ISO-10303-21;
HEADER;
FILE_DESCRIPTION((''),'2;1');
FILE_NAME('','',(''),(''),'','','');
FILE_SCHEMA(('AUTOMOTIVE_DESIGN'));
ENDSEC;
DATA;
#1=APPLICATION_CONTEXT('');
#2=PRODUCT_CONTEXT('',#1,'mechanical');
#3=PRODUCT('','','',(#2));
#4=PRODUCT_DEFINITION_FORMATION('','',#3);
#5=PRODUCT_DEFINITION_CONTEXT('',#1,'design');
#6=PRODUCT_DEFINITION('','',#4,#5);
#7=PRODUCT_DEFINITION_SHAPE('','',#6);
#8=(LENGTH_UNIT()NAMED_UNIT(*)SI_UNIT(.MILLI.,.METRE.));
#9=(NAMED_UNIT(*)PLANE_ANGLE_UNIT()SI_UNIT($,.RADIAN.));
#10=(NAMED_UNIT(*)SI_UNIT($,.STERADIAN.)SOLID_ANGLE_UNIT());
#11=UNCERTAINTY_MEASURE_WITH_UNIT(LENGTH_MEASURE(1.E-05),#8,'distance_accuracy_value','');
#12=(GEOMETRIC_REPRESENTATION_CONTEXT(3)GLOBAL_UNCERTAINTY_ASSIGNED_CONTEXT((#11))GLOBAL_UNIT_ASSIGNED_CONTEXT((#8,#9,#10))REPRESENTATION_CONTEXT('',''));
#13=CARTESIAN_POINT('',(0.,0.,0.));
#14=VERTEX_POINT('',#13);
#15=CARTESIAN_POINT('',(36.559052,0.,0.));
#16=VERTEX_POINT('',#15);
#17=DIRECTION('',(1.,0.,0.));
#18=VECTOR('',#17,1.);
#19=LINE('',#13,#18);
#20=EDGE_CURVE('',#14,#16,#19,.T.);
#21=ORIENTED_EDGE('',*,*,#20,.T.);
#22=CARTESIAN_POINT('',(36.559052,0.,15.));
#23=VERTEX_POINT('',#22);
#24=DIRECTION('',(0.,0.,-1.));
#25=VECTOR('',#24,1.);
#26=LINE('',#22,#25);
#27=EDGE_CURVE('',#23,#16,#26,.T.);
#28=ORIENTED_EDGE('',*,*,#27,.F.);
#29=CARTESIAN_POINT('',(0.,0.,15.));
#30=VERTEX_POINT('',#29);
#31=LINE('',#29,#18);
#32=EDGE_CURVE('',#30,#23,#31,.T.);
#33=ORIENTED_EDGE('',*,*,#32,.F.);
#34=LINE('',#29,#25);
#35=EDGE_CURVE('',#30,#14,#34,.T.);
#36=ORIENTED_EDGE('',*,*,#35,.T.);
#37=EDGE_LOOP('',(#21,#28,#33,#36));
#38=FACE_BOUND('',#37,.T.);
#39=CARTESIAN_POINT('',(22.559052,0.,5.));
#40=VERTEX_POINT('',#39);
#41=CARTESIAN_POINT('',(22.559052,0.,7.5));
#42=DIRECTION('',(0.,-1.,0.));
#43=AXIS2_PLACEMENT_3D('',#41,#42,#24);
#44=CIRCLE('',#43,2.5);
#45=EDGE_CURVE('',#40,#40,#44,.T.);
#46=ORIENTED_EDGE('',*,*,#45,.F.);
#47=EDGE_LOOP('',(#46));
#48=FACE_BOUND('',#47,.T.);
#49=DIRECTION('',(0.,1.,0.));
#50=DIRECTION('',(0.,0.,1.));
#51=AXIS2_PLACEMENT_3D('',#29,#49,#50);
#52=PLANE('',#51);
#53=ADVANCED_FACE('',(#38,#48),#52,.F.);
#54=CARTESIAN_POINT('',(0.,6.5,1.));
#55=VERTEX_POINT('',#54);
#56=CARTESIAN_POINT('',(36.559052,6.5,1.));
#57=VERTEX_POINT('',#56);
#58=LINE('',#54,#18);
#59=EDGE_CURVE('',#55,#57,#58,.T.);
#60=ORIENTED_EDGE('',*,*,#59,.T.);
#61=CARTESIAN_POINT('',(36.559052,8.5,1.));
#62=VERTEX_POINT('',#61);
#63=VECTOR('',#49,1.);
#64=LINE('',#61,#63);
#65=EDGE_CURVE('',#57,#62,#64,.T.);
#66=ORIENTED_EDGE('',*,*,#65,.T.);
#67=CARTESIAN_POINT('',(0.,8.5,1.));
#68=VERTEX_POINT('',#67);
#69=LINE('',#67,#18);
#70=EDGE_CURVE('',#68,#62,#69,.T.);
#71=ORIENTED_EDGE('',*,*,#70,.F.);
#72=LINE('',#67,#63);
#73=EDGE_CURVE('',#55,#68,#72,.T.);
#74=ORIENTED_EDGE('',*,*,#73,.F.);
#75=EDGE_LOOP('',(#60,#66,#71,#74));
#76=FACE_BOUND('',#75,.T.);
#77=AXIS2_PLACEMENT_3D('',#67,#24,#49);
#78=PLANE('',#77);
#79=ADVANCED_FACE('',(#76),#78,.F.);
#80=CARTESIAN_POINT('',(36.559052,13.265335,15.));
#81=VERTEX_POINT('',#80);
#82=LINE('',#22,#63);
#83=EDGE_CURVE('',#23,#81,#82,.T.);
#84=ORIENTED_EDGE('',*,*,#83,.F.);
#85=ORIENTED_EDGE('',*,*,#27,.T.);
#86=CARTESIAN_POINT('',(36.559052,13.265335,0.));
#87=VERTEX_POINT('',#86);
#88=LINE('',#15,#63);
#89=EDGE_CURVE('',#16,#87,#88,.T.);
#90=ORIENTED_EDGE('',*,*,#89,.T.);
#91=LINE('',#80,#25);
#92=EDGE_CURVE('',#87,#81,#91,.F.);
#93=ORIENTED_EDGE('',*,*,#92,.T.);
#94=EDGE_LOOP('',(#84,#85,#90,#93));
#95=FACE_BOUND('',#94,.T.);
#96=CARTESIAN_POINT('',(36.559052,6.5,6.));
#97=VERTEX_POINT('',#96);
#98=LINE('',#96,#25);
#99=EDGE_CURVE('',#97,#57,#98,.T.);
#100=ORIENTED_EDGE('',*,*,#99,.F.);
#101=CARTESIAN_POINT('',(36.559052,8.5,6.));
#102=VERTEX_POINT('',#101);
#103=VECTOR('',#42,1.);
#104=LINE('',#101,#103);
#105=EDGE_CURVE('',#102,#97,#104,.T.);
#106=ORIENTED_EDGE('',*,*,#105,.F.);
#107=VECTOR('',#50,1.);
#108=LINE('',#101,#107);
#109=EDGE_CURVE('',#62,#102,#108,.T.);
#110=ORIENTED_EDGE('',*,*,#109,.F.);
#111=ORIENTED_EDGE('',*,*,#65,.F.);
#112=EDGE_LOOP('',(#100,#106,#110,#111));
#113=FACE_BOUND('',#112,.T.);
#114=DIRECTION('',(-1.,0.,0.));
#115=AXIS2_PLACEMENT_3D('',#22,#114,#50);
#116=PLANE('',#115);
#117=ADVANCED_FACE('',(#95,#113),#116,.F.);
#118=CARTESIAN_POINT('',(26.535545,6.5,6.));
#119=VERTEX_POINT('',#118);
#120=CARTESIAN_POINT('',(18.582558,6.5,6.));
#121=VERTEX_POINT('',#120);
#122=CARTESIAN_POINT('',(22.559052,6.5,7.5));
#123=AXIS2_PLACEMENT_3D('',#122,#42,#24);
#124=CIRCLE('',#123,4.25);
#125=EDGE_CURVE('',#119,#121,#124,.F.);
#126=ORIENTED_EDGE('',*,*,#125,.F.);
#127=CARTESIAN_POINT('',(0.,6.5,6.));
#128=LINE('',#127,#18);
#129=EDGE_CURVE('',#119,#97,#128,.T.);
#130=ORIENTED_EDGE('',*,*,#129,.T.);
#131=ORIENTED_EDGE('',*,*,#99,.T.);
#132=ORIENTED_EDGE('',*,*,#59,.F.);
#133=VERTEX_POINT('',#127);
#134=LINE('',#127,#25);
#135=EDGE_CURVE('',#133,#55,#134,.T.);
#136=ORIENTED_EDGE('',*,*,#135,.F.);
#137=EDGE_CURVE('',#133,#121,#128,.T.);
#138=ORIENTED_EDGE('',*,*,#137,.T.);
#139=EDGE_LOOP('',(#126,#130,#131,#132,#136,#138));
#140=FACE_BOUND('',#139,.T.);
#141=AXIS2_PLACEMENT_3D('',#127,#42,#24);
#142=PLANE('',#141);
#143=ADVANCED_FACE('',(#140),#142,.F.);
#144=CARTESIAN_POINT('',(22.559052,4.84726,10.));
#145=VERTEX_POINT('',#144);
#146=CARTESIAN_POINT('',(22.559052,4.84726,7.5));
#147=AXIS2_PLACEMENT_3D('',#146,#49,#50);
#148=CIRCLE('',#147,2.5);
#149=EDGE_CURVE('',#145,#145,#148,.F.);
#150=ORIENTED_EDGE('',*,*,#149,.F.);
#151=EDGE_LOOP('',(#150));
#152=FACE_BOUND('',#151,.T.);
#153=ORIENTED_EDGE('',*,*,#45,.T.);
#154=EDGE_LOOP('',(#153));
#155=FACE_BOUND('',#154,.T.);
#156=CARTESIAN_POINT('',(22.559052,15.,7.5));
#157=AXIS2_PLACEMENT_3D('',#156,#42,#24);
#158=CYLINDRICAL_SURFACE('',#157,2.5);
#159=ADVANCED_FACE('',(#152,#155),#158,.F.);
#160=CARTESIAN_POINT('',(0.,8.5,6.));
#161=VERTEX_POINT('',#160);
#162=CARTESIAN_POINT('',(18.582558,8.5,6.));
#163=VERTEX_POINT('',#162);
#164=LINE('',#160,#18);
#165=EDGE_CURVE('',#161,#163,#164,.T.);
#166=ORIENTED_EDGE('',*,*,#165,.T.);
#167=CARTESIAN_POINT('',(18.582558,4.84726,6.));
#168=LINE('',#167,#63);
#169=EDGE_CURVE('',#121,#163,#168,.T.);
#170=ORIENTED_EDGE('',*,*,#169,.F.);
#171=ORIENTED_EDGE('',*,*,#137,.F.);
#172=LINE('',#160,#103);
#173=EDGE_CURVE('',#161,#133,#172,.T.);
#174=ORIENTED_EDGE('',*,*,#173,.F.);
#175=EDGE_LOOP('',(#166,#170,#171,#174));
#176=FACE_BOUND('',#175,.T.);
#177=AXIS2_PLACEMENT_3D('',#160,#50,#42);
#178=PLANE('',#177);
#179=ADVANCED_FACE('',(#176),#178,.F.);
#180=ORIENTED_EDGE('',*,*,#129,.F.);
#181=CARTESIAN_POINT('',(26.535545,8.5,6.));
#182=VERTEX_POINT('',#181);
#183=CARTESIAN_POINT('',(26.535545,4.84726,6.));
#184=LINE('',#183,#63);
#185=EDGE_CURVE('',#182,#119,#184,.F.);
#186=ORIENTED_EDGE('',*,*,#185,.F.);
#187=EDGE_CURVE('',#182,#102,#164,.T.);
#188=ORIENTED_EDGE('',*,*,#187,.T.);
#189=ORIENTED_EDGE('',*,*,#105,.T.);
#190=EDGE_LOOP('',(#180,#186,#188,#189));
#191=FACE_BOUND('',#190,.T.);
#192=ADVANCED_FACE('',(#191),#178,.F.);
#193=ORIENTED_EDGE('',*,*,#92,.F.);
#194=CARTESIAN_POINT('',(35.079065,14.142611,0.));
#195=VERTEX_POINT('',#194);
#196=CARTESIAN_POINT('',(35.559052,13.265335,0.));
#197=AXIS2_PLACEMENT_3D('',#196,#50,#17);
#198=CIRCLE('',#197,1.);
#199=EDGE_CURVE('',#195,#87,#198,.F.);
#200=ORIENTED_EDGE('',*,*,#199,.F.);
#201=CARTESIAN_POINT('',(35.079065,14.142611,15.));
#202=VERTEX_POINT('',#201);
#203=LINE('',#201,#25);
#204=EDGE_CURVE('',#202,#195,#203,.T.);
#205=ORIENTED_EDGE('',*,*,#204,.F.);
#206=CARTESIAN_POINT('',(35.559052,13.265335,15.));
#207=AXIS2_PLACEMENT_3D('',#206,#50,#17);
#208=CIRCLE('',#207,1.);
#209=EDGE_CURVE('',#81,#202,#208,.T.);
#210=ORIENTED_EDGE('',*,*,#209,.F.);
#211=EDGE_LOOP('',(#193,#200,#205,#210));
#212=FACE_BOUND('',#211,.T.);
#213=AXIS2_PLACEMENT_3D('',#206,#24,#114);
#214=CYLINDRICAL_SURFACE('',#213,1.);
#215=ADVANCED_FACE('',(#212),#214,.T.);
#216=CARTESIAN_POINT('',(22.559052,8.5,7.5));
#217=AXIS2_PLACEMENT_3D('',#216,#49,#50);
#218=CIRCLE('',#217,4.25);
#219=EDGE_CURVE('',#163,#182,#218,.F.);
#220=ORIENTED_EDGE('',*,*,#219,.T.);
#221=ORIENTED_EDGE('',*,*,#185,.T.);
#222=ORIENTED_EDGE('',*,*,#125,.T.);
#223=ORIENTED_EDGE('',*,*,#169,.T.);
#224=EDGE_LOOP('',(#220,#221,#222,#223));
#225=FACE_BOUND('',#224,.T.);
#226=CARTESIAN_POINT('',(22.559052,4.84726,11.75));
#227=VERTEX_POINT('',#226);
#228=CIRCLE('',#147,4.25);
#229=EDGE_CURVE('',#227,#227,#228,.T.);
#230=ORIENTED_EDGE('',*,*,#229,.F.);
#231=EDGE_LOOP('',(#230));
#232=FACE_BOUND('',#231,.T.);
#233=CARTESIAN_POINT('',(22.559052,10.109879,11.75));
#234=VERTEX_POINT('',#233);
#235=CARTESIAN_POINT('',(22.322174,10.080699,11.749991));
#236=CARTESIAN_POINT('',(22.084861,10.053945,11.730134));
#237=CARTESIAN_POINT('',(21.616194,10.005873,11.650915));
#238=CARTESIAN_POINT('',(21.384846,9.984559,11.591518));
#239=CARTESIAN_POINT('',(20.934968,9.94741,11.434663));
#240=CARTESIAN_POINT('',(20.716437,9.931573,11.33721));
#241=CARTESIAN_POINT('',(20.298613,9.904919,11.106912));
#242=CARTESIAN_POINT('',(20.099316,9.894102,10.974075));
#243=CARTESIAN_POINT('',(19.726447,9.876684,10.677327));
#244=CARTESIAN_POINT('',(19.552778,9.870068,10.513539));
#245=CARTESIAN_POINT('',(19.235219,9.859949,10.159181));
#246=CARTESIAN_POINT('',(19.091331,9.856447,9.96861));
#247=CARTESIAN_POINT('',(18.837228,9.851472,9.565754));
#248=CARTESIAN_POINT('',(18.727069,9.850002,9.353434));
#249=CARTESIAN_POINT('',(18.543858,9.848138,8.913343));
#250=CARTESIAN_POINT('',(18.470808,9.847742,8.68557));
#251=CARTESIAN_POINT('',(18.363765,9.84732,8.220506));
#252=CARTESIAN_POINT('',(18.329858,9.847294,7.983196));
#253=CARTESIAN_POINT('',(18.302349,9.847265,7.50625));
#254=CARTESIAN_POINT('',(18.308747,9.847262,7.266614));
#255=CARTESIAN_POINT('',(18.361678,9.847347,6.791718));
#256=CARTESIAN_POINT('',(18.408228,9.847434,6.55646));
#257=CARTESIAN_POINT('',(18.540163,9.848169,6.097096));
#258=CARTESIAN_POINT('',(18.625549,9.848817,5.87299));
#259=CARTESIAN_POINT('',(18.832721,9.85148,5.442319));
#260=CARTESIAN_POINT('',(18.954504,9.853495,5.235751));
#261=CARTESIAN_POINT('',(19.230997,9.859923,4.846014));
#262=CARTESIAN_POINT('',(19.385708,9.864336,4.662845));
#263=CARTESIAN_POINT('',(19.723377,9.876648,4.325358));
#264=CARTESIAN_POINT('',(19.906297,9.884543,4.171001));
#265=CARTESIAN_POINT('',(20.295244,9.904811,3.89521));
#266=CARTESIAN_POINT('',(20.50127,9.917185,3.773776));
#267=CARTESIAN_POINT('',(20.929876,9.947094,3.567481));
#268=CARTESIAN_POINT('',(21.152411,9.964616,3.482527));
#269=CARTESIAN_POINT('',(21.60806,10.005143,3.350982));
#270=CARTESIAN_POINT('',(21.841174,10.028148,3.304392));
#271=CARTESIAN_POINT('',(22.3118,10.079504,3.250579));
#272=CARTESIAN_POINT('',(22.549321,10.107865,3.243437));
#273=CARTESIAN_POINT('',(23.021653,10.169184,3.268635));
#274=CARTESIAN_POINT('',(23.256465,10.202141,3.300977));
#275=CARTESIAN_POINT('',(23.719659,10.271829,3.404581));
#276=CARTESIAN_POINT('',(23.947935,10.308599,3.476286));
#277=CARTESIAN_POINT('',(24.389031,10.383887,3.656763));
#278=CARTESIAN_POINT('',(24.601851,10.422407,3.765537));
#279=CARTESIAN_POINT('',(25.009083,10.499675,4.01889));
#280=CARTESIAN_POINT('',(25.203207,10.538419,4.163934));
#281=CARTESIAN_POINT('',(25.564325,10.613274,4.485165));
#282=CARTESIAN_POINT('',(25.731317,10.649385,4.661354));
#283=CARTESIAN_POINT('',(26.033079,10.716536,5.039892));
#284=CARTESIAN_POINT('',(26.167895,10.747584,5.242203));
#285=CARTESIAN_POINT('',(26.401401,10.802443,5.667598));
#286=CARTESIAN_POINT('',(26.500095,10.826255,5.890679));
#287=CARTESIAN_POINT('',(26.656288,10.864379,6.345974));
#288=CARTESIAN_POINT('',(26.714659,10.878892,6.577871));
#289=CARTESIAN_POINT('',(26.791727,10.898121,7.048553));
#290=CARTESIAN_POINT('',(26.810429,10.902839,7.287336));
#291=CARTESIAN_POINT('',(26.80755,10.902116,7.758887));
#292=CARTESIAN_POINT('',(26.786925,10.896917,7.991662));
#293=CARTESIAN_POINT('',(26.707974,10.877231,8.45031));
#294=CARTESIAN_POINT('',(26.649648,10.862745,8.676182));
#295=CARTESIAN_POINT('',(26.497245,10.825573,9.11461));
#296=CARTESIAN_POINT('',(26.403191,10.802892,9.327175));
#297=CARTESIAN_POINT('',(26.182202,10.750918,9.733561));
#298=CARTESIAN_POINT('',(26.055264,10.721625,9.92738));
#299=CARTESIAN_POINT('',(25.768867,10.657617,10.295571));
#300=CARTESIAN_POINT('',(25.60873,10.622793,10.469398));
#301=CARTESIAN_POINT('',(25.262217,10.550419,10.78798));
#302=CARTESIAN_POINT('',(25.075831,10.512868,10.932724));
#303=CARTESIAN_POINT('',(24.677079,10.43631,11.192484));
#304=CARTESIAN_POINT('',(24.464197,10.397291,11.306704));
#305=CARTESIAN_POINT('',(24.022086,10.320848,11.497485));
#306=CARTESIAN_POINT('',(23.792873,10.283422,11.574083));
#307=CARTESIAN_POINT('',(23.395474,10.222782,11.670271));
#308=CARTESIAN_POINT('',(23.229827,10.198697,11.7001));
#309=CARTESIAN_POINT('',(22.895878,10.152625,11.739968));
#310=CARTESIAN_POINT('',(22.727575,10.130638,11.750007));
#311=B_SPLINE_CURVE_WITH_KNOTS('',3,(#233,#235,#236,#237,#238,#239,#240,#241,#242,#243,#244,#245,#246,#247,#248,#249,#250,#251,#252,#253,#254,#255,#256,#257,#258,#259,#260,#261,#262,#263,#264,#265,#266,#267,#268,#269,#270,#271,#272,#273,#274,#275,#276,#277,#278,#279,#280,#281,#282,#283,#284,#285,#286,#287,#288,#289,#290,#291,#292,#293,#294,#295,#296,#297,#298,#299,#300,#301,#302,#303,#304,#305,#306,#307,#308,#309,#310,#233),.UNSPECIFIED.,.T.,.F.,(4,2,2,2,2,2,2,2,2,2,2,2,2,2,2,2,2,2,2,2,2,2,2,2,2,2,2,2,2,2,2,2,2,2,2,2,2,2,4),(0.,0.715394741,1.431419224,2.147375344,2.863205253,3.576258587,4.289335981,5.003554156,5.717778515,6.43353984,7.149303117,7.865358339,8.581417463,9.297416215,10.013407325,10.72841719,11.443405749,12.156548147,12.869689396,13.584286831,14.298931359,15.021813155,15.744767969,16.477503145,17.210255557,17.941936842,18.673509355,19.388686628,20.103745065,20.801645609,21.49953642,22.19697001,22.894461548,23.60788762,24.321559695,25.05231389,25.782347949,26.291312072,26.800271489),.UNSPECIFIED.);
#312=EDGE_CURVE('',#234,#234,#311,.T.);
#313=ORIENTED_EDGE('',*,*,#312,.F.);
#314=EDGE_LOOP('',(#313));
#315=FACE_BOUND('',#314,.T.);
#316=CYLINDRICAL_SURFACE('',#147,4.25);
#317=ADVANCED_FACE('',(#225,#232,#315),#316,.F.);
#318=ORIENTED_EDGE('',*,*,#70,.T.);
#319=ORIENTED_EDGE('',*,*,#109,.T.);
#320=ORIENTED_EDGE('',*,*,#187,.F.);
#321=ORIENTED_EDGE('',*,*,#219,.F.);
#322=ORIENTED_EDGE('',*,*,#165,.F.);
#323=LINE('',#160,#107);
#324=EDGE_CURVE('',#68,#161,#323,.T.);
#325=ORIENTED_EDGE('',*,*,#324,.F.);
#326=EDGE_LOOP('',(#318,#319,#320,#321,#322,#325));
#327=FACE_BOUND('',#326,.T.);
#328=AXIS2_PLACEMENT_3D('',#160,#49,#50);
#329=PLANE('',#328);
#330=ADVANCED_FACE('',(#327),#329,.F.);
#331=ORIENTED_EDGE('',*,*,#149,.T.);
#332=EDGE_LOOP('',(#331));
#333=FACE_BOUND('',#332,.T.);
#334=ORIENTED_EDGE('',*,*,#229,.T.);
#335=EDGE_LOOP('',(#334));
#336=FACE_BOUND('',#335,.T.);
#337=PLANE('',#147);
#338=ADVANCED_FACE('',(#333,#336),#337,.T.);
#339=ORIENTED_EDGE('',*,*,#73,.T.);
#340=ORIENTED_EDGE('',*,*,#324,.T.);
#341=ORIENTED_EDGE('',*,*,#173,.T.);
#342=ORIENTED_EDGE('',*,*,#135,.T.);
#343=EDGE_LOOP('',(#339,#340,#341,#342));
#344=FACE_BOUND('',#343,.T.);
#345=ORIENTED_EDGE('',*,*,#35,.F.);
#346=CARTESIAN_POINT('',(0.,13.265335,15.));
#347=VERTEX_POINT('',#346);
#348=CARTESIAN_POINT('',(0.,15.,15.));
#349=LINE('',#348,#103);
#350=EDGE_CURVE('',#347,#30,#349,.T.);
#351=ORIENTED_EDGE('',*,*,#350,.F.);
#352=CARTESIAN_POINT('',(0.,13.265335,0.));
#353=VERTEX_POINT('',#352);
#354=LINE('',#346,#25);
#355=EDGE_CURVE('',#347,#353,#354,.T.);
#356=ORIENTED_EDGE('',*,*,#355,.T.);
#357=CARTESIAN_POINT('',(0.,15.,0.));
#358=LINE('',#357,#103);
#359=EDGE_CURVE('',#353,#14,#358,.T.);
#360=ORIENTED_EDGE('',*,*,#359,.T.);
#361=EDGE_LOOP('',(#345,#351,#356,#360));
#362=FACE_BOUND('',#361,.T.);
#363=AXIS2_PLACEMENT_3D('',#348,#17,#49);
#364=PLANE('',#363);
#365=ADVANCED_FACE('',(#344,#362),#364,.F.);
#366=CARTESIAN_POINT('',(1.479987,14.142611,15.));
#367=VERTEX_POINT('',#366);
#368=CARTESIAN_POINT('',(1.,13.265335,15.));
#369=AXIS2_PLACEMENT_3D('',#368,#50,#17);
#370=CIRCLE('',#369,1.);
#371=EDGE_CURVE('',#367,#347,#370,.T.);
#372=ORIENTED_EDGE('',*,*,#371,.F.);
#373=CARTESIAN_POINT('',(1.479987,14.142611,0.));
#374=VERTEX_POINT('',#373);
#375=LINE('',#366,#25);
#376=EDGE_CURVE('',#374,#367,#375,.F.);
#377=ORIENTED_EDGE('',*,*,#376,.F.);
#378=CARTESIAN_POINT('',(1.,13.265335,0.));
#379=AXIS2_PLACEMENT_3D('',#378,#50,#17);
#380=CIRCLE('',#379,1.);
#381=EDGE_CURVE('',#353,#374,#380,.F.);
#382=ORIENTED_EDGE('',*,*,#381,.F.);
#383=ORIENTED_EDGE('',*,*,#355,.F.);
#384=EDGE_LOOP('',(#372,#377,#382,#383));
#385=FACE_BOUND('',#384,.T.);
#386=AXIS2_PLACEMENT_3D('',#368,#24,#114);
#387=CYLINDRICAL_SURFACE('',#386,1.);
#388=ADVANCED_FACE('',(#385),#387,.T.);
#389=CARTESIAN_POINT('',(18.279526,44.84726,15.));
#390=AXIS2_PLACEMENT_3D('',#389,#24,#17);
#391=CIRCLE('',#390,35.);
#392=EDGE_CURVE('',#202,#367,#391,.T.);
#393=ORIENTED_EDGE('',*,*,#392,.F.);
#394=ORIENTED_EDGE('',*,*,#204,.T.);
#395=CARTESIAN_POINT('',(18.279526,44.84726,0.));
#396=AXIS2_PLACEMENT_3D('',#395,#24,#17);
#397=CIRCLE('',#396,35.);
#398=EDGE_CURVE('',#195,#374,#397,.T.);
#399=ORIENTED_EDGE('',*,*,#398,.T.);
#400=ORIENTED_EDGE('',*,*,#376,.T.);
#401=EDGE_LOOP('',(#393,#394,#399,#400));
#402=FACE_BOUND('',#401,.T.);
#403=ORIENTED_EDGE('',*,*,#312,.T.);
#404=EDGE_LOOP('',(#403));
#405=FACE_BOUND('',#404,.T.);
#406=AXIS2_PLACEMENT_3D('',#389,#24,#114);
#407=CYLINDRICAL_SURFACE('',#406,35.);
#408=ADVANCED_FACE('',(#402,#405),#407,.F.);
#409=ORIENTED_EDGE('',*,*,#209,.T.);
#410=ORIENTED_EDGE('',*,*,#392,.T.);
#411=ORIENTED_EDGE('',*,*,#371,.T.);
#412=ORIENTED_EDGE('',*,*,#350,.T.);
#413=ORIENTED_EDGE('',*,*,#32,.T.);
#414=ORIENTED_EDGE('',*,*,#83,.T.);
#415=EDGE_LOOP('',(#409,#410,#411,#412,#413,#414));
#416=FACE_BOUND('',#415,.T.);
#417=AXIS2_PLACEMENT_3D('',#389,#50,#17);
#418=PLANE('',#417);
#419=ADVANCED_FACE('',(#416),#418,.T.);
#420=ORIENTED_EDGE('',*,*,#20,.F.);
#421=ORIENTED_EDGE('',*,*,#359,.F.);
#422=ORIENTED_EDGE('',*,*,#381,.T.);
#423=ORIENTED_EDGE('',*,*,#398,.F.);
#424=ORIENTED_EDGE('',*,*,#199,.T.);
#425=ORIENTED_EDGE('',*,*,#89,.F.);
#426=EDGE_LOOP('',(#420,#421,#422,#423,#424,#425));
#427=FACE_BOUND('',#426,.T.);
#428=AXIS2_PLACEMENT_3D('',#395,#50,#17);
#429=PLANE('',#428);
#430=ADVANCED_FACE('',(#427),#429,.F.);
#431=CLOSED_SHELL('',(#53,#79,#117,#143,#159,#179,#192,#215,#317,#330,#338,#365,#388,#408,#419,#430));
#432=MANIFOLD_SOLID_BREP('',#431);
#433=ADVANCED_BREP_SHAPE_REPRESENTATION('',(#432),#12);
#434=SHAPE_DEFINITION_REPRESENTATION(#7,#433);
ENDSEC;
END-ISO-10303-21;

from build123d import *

# Parameters (mm, degrees)
BOSS_EXTRUDE2_DEPTH = 15
SKETCH4_R           = 2.5
CUT_EXTRUDE1_DEPTH  = 15
SKETCH5_R           = 4.25
CUT_EXTRUDE6_DEPTH  = 5
SKETCH6_W           = 5
SKETCH6_H           = 2
CUT_EXTRUDE7_DEPTH  = 43.267768571
FILLET1_R           = 1


with BuildPart() as part:
    # Sketch2 → Boss-Extrude2 (new body)
    with BuildSketch(Plane.XY):
        with BuildLine():
            Line((0, 15), (0, 0))
            Line((0, 0), (36.559051501, 0))
            Line((36.559051501, 0), (36.559051501, 15))
            ThreePointArc((36.559051501, 15), (18.27952575, 9.847260148), (0, 15))
        make_face()
    extrude(amount=BOSS_EXTRUDE2_DEPTH)

    # Sketch4 → Cut-Extrude1 (cut)
    with BuildSketch(Plane.XZ):
        with Locations(Location((22.559051501, 7.5, 0), (0, 0, 270))):
            Circle(SKETCH4_R)
    extrude(amount=-CUT_EXTRUDE1_DEPTH, mode=Mode.SUBTRACT)

    # Sketch5 → Cut-Extrude6 (cut, symmetric)
    with BuildSketch(Plane(origin=(0, 9.847260148, 0), x_dir=(1, 0, 0), z_dir=(0, 1, 0))):
        with Locations(Location((22.559051501, -7.5, 0), (0, 0, 270))):
            Circle(SKETCH5_R)
    extrude(amount=CUT_EXTRUDE6_DEPTH, both=True, mode=Mode.SUBTRACT)

    # Sketch6 → Cut-Extrude7 (cut, through all)
    with BuildSketch(Plane(origin=(36.559051501, 0, 0), x_dir=(0, 0, -1), z_dir=(1, 0, 0))):
        with Locations((-3.5, 7.5)):
            Rectangle(SKETCH6_W, SKETCH6_H)
    extrude(amount=-CUT_EXTRUDE7_DEPTH, mode=Mode.SUBTRACT)

    # Fillet1
    fillet1_edges = [part.edges().sort_by_distance(p)[0] for p in [
        (0, 15, 7.5),
        (36.559051501, 15, 7.5),
    ]]
    fillet(fillet1_edges, radius=FILLET1_R)


solid = part.part
